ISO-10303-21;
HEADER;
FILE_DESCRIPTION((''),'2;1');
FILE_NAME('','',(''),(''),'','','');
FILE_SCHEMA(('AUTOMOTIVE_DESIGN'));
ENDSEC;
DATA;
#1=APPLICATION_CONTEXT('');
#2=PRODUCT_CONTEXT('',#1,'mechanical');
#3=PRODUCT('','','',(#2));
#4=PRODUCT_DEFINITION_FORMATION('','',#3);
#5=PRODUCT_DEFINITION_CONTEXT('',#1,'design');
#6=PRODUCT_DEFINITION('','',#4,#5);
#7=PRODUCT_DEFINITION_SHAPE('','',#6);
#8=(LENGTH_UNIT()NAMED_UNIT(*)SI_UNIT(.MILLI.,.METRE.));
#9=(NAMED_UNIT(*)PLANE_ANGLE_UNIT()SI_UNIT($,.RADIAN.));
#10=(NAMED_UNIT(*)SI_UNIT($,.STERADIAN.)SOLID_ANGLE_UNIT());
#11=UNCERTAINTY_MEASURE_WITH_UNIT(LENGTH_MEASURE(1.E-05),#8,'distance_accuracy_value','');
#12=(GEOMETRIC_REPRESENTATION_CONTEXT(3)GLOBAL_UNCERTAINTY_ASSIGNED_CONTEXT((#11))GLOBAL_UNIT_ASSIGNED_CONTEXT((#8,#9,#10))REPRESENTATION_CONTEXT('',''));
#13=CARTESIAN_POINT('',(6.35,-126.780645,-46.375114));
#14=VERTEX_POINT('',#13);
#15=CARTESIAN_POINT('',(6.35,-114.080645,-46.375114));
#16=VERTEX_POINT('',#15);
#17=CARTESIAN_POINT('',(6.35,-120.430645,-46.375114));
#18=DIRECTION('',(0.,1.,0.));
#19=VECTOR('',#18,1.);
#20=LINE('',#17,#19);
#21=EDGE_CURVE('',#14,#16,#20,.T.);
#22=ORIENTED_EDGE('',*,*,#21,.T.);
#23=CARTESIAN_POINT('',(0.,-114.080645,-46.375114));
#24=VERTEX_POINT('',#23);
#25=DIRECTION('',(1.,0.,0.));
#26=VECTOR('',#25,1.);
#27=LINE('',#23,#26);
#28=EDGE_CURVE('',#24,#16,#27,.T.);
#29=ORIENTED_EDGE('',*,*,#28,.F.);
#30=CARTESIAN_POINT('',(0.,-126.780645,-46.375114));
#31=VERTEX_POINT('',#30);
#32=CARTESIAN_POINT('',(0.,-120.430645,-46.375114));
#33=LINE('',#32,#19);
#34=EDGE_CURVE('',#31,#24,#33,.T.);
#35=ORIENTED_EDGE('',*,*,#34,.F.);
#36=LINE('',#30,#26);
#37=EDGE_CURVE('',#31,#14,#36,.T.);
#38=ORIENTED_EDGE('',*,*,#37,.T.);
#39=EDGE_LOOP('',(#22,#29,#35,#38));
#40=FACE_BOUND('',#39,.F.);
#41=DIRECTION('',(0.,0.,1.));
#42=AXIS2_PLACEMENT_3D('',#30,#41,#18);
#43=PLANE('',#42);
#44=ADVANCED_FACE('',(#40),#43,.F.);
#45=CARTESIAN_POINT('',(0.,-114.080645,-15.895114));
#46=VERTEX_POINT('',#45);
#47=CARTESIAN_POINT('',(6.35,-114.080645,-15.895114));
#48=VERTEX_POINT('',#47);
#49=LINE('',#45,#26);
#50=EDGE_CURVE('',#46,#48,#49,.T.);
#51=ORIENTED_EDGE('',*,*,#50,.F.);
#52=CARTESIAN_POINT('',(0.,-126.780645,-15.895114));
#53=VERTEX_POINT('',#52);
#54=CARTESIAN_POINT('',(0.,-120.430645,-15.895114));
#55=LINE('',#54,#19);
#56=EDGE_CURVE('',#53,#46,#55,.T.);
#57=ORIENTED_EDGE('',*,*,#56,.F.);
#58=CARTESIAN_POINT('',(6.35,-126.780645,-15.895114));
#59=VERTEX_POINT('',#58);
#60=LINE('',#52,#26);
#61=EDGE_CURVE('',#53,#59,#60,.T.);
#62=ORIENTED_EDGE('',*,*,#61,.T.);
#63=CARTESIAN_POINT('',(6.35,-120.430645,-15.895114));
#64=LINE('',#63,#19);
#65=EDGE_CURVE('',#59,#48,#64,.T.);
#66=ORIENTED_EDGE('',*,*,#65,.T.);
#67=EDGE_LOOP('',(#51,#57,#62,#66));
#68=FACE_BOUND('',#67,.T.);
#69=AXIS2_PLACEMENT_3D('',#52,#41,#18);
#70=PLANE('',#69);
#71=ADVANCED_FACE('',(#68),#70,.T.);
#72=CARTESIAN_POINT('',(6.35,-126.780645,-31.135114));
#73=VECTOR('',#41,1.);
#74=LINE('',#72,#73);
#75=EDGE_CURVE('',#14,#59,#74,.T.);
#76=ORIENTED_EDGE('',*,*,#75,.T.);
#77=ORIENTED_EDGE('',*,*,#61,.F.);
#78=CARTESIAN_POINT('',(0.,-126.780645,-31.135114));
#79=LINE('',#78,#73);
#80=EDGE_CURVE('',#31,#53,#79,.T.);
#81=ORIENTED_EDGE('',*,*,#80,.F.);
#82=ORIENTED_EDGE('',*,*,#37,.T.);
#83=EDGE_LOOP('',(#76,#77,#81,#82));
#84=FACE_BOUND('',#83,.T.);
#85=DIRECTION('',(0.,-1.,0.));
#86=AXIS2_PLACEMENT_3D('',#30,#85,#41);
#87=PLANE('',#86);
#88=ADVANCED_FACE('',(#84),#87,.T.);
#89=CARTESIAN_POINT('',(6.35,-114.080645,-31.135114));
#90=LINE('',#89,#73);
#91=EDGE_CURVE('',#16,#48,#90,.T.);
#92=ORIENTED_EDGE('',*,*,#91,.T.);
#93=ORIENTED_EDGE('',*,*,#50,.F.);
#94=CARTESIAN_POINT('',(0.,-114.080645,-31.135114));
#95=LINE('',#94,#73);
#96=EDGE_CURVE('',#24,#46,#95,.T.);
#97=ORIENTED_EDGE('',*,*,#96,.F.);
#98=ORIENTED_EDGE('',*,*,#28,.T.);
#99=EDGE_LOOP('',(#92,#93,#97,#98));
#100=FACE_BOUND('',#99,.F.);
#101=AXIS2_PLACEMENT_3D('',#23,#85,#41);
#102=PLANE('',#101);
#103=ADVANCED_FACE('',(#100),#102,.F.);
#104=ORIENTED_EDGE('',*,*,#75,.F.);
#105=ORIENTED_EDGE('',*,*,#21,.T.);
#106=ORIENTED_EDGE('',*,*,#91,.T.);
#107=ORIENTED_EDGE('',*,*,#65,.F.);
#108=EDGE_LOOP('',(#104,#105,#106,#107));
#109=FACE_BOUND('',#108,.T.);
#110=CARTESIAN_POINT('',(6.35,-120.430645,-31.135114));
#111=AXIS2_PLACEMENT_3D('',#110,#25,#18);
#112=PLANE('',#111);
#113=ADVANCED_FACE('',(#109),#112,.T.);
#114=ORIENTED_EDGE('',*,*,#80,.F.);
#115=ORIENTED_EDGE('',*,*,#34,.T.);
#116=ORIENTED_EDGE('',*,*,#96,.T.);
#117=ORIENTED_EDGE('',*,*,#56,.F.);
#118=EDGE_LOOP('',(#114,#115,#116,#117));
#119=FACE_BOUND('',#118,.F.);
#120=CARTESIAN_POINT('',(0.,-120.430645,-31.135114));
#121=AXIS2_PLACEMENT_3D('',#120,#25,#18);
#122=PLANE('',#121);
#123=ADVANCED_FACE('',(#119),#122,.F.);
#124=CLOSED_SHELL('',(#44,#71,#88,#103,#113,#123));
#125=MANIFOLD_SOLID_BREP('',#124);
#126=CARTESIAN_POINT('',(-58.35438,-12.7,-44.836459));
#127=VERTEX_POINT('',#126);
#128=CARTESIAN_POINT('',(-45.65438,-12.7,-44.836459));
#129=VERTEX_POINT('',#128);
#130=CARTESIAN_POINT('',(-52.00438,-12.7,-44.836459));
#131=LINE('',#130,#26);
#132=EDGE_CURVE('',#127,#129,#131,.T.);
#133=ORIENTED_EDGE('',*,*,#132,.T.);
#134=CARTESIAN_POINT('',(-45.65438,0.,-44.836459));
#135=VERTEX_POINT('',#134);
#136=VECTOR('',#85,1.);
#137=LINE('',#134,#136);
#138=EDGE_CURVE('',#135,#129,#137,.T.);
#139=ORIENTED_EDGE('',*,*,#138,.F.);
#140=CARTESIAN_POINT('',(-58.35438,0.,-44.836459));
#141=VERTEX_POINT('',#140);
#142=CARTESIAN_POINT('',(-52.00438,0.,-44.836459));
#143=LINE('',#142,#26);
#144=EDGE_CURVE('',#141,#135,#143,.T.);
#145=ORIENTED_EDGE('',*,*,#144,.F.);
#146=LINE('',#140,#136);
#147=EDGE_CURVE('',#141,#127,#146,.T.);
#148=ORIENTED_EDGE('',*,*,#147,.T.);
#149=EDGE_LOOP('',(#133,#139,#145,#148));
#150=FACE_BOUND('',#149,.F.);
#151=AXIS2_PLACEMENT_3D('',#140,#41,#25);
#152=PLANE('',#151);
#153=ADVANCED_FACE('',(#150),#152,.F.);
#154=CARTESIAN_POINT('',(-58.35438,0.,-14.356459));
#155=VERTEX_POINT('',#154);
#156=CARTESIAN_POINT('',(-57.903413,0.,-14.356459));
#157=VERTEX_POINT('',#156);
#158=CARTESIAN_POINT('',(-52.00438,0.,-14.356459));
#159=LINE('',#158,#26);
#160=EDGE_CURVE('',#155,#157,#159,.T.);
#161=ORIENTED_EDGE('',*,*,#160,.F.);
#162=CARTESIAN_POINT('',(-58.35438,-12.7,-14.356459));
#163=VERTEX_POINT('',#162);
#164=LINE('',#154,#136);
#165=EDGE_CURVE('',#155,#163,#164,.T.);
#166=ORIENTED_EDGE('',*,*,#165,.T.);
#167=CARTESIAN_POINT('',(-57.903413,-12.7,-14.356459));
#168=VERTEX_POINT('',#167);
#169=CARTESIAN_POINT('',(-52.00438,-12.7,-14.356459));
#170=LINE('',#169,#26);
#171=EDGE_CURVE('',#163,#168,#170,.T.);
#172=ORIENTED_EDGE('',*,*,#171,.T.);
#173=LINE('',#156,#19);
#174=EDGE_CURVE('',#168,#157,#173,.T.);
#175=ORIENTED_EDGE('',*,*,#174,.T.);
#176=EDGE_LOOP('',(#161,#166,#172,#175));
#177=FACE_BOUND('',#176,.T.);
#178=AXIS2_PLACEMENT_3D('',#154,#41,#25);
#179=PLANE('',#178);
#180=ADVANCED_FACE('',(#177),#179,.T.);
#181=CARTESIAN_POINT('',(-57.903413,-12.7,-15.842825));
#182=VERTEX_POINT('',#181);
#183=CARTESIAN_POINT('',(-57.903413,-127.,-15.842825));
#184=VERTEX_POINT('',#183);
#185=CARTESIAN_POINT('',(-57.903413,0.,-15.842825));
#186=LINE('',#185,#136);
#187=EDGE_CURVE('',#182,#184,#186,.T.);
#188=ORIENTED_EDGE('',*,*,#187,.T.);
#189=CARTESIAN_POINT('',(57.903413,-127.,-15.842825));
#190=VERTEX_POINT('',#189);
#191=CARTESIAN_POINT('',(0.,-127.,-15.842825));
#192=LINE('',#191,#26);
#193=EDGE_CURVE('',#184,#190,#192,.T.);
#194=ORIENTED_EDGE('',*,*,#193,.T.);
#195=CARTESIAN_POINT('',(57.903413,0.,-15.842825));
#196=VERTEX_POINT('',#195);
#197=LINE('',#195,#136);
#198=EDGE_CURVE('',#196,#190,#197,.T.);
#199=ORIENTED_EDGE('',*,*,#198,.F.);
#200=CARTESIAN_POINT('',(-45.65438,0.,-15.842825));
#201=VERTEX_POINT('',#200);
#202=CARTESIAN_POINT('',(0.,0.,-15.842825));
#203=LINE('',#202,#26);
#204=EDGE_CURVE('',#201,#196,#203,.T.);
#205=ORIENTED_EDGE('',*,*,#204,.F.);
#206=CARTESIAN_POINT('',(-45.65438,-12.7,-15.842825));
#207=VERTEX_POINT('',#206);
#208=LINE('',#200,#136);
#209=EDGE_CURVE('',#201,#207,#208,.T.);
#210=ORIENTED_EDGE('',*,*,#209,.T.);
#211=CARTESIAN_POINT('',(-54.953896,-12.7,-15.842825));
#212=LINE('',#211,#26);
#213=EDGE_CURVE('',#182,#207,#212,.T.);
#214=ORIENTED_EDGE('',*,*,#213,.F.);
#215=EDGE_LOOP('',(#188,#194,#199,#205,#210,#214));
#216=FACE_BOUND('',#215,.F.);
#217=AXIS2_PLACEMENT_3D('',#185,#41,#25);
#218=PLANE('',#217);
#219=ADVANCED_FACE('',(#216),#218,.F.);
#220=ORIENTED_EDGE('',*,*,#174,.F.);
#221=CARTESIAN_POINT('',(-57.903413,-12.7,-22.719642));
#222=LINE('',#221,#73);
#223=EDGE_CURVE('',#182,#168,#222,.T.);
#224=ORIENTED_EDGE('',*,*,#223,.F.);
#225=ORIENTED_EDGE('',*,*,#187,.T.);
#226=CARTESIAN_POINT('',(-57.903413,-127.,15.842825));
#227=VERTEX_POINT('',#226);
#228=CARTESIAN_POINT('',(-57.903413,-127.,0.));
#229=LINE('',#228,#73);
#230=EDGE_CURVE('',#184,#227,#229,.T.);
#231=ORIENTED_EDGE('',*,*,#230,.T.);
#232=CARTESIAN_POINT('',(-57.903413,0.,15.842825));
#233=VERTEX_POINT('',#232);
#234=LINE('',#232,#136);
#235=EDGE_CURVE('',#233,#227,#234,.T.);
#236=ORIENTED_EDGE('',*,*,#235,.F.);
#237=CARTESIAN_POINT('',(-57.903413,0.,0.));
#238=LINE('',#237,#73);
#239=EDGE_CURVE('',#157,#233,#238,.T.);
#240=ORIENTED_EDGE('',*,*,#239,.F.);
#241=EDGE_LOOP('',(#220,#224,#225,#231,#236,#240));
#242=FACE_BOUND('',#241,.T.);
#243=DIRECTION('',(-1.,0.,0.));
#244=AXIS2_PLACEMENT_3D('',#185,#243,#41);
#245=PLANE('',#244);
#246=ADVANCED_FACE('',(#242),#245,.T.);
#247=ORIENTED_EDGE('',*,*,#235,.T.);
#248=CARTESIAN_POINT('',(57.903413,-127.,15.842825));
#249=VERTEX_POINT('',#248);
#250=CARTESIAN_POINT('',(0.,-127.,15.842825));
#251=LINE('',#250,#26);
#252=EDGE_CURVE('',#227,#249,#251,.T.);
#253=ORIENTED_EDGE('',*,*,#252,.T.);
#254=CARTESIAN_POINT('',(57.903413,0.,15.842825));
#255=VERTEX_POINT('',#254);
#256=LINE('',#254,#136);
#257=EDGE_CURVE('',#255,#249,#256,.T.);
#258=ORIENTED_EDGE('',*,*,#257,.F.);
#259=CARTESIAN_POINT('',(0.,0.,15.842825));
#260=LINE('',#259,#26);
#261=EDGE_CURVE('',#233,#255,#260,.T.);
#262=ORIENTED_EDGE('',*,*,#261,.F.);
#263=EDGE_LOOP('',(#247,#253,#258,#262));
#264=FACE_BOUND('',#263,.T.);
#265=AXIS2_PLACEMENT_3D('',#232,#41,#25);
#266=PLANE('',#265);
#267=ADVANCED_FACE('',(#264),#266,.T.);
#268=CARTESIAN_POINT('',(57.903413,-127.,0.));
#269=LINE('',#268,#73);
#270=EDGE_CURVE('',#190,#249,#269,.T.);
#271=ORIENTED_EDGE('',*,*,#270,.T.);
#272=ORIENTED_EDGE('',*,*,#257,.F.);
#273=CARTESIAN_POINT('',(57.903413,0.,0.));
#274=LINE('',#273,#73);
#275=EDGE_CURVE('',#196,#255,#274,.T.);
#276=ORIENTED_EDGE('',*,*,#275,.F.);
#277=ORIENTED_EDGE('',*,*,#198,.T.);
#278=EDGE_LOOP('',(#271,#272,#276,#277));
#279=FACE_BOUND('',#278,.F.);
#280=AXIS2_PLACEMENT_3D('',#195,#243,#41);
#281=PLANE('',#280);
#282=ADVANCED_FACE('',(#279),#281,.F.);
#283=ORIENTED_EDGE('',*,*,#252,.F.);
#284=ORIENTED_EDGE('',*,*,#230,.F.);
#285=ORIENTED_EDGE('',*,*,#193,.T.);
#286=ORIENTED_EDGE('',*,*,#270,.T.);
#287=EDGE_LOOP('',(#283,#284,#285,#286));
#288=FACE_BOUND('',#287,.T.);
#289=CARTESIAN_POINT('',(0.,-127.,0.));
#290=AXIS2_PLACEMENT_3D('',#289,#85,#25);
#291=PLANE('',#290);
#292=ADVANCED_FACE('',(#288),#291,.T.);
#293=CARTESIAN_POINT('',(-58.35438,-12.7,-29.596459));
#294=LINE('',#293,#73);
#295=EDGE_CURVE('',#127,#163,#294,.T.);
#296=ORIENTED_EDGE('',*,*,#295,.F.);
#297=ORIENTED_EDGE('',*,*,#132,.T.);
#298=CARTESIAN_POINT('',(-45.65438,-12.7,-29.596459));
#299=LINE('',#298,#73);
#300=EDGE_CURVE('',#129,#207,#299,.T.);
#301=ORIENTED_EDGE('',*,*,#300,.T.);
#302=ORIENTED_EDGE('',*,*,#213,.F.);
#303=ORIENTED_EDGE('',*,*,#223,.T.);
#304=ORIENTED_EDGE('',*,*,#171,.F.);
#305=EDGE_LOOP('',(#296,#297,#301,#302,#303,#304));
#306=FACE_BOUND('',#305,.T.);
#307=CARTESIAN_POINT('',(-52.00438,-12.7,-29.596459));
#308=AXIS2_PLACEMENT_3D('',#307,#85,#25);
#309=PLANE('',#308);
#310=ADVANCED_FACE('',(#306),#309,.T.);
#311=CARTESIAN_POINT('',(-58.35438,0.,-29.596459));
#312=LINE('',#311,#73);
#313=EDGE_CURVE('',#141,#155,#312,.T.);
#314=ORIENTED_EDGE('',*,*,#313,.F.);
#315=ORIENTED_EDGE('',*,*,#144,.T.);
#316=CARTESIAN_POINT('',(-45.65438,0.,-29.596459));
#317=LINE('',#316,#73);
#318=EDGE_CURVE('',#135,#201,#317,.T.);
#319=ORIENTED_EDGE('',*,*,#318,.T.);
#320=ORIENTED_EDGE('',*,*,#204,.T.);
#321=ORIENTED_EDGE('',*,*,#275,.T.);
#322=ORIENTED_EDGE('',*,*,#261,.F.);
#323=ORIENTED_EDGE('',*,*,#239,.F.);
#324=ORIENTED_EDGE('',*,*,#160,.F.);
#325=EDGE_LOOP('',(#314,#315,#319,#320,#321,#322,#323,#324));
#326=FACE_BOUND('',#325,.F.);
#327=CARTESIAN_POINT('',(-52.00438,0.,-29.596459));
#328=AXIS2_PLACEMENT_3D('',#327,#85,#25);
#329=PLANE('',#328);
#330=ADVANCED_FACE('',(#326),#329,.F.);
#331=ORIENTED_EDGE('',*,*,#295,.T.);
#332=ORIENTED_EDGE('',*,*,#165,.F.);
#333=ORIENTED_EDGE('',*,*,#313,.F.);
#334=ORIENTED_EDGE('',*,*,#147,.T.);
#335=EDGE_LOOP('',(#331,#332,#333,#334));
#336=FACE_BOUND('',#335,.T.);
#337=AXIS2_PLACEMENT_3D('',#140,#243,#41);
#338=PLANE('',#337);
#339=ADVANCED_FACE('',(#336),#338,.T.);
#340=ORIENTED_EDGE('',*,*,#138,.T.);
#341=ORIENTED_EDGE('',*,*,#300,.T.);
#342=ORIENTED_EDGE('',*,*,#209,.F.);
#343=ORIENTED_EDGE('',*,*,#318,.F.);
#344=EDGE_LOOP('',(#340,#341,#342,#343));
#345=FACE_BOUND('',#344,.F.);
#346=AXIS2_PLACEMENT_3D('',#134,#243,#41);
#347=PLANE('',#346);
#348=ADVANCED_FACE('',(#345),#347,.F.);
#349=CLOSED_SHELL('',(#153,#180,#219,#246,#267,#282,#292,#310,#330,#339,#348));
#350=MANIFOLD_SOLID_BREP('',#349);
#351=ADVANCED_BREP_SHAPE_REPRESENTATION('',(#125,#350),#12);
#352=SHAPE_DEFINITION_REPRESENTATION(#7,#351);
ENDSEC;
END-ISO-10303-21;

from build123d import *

# Parameters (mm, degrees)
F0_W     = 115.806826
F0_H     = 31.68565
F1_DEPTH = 127
F2_W     = 12.7
F2_H     = 30.48
F3_DEPTH = 6.35
F4_W     = 12.7
F4_H     = 30.48
F5_DEPTH = 12.7


with BuildPart() as f1:
    # F0 (on Front) → F1 (new body)
    with BuildSketch(Plane.XZ):
        Rectangle(F0_W, F0_H)
    extrude(amount=F1_DEPTH)

    # F4 (on Front) → F5 (join)
    with BuildSketch(Plane.XZ):
        with Locations((-52.00438, -29.596459)):
            Rectangle(F4_W, F4_H)
    extrude(amount=F5_DEPTH)


with BuildPart() as f3:
    # F2 (on Right) → F3 (new body)
    with BuildSketch(Plane.YZ):
        with Locations((-120.430645, -31.135114)):
            Rectangle(F2_W, F2_H)
    extrude(amount=F3_DEPTH)


solid = Compound([f1.part, f3.part])
